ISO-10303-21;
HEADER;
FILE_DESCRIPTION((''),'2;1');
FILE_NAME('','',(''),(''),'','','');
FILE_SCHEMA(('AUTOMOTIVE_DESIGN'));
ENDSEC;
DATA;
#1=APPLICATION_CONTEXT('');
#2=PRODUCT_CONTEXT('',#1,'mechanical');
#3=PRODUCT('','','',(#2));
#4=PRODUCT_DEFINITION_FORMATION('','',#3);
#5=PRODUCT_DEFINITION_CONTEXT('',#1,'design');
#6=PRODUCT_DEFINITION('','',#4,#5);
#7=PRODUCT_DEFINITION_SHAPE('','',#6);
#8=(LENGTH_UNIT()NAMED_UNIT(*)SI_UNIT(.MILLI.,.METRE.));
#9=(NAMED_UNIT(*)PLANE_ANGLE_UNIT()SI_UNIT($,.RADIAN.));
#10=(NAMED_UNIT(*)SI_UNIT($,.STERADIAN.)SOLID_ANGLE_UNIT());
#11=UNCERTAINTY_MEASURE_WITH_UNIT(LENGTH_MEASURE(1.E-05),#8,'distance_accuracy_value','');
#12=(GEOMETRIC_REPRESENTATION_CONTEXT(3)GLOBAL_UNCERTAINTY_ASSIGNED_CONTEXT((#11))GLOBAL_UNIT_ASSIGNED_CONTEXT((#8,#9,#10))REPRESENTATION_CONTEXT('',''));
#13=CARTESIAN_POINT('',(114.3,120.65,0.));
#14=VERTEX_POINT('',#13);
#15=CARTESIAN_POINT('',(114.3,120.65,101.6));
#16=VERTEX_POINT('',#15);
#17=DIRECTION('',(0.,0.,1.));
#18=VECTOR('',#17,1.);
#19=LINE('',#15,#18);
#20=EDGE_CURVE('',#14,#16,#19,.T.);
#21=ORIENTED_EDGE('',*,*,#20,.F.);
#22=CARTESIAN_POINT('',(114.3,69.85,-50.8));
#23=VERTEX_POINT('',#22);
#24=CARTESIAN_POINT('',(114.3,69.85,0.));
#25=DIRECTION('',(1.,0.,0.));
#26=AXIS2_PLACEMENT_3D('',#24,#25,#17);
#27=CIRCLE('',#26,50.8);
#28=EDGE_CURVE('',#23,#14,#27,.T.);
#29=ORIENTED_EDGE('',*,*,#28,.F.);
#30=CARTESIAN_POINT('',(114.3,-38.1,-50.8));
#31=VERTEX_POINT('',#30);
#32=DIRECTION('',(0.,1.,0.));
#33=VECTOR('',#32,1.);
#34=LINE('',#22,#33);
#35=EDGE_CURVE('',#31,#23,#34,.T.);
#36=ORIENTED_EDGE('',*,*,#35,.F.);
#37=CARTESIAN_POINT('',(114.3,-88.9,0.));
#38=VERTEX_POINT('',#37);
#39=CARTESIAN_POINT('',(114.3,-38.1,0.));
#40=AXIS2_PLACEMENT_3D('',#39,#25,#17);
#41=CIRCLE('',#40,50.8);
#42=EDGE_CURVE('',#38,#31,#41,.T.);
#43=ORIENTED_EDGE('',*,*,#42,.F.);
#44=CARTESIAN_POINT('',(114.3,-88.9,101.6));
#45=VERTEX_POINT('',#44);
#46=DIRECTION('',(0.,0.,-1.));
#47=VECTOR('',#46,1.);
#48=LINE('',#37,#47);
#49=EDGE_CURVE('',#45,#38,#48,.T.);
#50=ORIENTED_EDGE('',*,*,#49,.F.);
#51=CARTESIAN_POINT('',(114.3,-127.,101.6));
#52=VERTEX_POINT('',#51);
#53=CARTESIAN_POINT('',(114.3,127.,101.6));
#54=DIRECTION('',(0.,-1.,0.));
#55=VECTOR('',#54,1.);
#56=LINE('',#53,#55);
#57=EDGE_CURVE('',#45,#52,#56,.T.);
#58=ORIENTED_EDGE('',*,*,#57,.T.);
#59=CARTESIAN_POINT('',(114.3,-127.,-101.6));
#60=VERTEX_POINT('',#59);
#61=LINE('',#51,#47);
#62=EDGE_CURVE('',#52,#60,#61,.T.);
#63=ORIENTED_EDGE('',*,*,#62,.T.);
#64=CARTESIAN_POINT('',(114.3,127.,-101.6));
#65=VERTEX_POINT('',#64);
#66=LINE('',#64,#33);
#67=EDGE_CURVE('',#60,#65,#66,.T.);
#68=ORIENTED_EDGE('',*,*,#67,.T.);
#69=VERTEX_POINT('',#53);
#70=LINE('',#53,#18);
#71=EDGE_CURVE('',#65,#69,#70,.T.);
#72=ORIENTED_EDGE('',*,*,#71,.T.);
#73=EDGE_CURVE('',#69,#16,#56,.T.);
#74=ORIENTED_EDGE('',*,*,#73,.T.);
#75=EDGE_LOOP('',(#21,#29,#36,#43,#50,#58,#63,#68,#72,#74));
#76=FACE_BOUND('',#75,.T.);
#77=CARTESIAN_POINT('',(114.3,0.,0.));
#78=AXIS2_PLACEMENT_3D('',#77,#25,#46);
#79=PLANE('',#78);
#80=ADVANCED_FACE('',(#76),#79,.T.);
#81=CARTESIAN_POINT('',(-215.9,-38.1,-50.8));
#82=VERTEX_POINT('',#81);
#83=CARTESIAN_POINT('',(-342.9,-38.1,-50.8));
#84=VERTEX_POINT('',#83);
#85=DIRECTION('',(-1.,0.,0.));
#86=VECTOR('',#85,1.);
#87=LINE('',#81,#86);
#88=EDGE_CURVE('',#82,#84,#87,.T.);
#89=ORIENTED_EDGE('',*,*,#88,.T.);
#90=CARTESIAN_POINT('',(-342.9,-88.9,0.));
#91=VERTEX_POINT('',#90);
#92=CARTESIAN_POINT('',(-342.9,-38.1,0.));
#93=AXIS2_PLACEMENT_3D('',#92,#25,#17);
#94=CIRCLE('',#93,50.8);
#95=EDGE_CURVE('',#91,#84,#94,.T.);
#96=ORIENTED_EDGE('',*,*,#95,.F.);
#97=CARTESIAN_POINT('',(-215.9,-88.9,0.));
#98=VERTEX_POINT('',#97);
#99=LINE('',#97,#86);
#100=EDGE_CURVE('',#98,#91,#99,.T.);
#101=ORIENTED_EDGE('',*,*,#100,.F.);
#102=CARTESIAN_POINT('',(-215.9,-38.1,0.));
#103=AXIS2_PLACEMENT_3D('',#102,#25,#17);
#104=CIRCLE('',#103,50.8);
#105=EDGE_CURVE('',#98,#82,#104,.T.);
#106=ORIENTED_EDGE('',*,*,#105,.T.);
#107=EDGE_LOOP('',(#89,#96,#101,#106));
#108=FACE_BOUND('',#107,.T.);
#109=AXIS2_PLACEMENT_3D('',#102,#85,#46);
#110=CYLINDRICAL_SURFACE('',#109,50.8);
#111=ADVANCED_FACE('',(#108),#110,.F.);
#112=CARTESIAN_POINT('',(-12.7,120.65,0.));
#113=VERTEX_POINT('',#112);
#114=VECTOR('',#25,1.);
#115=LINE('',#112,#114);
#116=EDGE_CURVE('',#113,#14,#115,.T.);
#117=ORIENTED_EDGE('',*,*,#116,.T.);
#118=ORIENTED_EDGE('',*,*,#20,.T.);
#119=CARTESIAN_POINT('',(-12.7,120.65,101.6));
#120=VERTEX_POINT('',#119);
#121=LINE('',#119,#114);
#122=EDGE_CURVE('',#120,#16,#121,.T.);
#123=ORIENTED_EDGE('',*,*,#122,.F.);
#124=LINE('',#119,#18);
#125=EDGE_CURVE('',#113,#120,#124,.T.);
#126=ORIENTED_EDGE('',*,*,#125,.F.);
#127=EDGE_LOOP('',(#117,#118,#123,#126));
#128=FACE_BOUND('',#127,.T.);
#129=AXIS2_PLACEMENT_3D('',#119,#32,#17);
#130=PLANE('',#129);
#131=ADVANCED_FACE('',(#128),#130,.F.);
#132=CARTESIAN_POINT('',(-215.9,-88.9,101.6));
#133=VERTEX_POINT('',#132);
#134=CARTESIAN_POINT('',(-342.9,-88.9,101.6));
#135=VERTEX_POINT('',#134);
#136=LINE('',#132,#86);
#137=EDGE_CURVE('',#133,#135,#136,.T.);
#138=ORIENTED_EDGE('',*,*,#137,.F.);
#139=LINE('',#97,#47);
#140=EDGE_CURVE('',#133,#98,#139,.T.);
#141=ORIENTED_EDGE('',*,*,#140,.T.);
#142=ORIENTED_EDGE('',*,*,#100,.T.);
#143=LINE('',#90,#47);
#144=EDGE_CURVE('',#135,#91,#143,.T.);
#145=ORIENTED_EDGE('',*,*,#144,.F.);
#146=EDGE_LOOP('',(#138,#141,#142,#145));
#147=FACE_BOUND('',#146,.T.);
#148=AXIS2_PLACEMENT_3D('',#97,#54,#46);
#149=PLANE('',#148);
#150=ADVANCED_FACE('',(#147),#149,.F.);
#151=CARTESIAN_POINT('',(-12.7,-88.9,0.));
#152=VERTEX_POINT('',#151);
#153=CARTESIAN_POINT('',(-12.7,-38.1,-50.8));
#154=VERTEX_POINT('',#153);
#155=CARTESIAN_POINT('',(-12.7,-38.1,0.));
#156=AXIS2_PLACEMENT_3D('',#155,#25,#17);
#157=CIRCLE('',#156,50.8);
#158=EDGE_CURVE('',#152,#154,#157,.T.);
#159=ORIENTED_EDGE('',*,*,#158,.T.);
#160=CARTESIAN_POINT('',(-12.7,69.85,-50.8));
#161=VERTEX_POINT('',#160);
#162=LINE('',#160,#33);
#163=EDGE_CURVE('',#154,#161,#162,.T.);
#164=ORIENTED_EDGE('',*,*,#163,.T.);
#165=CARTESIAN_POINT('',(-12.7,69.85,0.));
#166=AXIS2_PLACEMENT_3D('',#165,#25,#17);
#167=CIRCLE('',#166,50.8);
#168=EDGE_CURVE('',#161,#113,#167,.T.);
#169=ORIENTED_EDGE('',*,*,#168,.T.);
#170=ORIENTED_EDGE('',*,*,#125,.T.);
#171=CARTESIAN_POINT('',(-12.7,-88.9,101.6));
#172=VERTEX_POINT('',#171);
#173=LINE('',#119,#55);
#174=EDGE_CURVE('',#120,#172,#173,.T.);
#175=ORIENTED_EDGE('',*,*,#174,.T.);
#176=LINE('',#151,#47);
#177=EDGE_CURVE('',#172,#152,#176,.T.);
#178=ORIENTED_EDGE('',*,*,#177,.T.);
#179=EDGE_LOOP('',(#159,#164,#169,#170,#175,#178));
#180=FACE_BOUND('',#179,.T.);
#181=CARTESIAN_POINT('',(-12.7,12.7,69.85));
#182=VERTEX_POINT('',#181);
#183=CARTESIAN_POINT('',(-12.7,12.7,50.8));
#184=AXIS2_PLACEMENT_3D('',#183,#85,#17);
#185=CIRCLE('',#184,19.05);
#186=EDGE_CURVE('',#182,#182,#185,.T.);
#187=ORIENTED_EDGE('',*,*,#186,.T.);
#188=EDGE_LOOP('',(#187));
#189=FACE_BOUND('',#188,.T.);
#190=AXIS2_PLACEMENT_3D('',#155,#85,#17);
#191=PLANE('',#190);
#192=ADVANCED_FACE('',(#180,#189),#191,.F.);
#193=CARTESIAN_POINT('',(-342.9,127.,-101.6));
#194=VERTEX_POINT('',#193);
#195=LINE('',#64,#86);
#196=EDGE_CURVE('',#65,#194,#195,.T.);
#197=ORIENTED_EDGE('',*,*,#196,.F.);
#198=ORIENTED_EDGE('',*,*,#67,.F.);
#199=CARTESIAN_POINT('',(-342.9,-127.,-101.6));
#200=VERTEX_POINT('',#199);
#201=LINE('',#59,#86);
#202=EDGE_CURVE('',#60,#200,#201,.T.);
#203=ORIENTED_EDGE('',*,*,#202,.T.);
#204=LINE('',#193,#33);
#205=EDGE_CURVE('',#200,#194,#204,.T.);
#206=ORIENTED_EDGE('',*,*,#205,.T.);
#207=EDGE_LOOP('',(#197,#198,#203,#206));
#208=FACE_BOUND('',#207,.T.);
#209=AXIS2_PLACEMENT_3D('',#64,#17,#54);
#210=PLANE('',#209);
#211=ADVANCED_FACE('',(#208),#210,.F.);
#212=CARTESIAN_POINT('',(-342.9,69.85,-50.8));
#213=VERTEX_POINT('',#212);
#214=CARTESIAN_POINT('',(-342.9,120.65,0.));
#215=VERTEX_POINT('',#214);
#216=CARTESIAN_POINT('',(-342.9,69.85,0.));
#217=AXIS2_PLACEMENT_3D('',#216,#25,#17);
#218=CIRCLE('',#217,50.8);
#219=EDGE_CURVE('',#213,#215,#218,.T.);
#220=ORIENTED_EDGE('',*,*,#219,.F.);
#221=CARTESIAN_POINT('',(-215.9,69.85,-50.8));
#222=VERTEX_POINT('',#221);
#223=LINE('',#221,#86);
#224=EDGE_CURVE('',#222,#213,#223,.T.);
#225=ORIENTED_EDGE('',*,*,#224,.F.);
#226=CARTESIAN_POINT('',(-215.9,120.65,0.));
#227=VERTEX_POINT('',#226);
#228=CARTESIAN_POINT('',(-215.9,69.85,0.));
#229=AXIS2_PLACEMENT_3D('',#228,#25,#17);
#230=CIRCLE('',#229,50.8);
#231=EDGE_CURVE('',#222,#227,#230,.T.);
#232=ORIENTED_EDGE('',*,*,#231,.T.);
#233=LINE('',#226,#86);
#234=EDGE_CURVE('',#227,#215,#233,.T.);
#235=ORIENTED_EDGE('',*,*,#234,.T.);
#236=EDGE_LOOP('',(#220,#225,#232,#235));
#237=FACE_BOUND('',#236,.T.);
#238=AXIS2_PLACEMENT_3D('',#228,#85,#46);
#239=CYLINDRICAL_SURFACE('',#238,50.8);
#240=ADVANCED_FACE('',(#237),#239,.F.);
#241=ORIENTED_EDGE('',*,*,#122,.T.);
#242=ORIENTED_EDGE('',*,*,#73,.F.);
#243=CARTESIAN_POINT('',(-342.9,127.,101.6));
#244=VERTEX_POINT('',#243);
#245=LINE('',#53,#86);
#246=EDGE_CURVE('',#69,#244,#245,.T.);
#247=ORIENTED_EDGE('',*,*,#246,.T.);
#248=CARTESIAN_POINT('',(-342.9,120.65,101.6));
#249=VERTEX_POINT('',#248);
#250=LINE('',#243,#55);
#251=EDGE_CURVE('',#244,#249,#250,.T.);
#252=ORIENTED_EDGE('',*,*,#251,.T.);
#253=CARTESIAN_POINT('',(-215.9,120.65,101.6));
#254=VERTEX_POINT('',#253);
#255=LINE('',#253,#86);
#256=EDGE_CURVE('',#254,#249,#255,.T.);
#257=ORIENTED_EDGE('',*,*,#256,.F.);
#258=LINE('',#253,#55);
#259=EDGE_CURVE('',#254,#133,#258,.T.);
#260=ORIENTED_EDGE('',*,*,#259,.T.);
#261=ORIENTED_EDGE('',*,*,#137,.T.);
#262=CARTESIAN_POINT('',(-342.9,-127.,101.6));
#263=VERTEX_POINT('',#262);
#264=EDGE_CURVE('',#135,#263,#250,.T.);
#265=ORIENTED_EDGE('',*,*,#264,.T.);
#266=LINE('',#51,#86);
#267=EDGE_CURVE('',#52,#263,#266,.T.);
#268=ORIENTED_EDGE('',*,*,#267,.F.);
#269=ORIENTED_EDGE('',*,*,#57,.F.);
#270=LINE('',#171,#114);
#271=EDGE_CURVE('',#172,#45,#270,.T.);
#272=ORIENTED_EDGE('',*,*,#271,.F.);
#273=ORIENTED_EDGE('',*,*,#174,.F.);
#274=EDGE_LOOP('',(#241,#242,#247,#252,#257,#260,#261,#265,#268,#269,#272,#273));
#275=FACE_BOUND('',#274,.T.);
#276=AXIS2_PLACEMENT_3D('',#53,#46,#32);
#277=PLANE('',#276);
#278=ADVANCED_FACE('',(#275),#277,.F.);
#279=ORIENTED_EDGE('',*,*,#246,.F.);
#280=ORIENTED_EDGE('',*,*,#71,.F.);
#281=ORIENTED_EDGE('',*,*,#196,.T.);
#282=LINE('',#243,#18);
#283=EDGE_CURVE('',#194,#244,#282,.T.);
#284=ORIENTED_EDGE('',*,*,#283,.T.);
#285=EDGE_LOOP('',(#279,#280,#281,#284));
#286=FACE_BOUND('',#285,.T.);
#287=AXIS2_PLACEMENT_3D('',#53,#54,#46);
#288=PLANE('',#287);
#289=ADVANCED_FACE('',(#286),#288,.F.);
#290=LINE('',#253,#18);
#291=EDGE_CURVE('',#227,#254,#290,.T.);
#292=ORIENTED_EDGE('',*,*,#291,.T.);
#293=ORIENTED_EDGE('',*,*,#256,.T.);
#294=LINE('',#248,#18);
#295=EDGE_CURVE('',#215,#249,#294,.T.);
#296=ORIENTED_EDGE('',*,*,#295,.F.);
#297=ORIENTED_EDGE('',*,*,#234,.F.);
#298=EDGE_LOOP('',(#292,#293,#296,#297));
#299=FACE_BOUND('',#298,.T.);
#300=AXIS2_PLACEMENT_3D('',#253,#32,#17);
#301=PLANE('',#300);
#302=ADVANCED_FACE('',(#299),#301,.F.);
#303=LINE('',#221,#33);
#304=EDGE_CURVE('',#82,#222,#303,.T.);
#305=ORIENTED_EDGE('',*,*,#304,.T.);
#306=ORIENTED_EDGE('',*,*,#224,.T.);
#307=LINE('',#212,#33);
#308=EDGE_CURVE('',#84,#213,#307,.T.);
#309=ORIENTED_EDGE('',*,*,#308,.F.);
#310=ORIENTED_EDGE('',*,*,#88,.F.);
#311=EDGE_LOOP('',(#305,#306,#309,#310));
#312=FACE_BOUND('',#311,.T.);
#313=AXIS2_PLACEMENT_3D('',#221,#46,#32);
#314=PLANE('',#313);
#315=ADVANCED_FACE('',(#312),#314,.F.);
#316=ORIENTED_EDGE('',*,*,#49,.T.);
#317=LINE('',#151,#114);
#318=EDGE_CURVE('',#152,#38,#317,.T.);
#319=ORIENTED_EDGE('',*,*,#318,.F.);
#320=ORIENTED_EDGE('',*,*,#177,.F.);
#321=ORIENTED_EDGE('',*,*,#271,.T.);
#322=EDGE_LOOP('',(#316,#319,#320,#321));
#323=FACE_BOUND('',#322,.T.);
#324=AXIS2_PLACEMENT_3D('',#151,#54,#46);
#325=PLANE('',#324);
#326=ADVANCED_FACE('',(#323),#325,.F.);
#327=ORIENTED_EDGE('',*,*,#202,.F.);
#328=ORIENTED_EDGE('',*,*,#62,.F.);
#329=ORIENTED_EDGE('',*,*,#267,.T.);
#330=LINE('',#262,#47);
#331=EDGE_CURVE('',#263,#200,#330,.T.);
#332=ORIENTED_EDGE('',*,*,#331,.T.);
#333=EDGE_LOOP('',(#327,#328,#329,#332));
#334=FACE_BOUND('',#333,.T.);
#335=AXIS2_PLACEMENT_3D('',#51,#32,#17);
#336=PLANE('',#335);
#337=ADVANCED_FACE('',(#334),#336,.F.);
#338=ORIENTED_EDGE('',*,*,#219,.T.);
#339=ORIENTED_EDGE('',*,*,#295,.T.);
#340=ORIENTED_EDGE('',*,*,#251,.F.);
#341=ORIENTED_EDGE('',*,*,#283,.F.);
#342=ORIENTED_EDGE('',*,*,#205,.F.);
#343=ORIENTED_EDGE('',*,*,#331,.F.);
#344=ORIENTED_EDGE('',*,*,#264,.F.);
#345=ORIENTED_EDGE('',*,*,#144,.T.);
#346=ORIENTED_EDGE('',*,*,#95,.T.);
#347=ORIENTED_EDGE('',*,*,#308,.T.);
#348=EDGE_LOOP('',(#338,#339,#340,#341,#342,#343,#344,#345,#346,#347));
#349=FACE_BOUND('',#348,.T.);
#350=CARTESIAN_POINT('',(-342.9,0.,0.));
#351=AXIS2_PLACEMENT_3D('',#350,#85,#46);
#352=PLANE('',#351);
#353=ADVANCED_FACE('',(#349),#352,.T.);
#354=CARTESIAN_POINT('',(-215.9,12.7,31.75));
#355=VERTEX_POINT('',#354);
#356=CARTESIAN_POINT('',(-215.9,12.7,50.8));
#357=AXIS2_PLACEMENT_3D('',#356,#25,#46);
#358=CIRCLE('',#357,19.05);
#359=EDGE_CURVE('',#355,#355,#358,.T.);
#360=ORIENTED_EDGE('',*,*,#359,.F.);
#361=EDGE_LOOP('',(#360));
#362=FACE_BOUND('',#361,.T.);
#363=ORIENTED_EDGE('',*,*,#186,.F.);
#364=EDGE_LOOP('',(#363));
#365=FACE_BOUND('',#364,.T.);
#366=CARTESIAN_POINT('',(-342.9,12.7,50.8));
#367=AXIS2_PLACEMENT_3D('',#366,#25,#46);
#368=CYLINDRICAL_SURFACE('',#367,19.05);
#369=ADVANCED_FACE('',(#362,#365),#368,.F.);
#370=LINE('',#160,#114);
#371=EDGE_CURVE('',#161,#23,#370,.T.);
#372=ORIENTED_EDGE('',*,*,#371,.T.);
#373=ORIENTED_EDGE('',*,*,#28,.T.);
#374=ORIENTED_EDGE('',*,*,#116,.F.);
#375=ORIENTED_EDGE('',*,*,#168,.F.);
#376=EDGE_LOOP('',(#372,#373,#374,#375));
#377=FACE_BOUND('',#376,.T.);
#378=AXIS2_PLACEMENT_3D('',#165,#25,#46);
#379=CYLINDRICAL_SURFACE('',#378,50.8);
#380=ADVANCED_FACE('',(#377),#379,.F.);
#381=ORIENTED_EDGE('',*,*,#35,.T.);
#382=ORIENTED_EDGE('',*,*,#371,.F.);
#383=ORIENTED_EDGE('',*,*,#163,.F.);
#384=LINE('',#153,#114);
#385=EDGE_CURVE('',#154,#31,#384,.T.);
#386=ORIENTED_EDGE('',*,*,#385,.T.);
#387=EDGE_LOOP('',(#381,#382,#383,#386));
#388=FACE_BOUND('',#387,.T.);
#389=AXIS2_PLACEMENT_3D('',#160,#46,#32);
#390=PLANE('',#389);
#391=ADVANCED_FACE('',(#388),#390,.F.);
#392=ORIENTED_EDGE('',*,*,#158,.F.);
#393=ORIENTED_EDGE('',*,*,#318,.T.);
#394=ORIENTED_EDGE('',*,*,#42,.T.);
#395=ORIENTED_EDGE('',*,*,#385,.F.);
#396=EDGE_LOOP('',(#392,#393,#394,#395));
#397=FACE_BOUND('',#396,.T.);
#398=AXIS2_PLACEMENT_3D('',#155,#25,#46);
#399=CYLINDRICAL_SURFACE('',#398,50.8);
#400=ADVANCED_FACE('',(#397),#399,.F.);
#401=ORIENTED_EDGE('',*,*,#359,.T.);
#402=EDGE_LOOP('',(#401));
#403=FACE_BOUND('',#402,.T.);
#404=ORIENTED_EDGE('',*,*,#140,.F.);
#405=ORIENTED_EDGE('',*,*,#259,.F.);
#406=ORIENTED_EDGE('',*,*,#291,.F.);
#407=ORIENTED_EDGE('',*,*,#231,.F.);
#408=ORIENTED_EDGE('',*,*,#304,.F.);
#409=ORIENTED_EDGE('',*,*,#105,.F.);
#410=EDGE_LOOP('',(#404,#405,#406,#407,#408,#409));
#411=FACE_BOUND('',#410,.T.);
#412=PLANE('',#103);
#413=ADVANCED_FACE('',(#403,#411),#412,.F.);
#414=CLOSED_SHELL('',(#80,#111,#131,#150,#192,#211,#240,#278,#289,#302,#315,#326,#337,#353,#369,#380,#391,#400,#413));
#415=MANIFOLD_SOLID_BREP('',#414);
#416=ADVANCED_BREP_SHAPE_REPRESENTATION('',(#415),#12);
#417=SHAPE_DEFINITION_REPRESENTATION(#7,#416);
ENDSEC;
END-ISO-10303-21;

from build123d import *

# Parameters (mm, degrees)
SKETCH1_W           = 203.2
SKETCH1_H           = 254
BOSS_EXTRUDE1_DEPTH = 114.3
CUT_EXTRUDE2_DEPTH  = 127
SKETCH3_R           = 19.05
CUT_EXTRUDE3_DEPTH  = 380.515441056


with BuildPart() as part:
    # Sketch1 → Boss-Extrude1 (new, symmetric)
    with BuildSketch(Plane(origin=(0, 0, 0), x_dir=(0, 0, -1), z_dir=(1, 0, 0))):
        Rectangle(SKETCH1_W, SKETCH1_H)
    extrude(amount=BOSS_EXTRUDE1_DEPTH, both=True)

    # Sketch2 → Cut-Extrude2 (cut)
    with BuildSketch(Plane(origin=(114.3, 0, 0), x_dir=(0, 0, -1), z_dir=(1, 0, 0))):
        with BuildLine():
            Line((-101.6, 120.65), (0, 120.65))
            ThreePointArc((0, 120.65), (35.921024484, 105.771024484), (50.8, 69.85))
            Line((50.8, 69.85), (50.8, -38.1))
            ThreePointArc((50.8, -38.1), (35.921024484, -74.021024484), (0, -88.9))
            Line((0, -88.9), (-101.6, -88.9))
            Line((-101.6, -88.9), (-101.6, 120.65))
        make_face()
    extrude(amount=-CUT_EXTRUDE2_DEPTH, mode=Mode.SUBTRACT)

    # Mirror1: part across plane


with BuildPart() as part_1:
    add(part.part)
    add(part.part.mirror(Plane(origin=(-114.3, 0, 0), x_dir=(0, 0, 1), z_dir=(1, 0, 0))))

    # Sketch3 → Cut-Extrude3 (cut, through all)
    with BuildSketch(Plane(origin=(0, 0, 0), x_dir=(0, 0, -1), z_dir=(1, 0, 0))):
        with Locations((-50.8, 12.7)):
            Circle(SKETCH3_R)
    extrude(amount=-CUT_EXTRUDE3_DEPTH, mode=Mode.SUBTRACT)


solid = part_1.part
